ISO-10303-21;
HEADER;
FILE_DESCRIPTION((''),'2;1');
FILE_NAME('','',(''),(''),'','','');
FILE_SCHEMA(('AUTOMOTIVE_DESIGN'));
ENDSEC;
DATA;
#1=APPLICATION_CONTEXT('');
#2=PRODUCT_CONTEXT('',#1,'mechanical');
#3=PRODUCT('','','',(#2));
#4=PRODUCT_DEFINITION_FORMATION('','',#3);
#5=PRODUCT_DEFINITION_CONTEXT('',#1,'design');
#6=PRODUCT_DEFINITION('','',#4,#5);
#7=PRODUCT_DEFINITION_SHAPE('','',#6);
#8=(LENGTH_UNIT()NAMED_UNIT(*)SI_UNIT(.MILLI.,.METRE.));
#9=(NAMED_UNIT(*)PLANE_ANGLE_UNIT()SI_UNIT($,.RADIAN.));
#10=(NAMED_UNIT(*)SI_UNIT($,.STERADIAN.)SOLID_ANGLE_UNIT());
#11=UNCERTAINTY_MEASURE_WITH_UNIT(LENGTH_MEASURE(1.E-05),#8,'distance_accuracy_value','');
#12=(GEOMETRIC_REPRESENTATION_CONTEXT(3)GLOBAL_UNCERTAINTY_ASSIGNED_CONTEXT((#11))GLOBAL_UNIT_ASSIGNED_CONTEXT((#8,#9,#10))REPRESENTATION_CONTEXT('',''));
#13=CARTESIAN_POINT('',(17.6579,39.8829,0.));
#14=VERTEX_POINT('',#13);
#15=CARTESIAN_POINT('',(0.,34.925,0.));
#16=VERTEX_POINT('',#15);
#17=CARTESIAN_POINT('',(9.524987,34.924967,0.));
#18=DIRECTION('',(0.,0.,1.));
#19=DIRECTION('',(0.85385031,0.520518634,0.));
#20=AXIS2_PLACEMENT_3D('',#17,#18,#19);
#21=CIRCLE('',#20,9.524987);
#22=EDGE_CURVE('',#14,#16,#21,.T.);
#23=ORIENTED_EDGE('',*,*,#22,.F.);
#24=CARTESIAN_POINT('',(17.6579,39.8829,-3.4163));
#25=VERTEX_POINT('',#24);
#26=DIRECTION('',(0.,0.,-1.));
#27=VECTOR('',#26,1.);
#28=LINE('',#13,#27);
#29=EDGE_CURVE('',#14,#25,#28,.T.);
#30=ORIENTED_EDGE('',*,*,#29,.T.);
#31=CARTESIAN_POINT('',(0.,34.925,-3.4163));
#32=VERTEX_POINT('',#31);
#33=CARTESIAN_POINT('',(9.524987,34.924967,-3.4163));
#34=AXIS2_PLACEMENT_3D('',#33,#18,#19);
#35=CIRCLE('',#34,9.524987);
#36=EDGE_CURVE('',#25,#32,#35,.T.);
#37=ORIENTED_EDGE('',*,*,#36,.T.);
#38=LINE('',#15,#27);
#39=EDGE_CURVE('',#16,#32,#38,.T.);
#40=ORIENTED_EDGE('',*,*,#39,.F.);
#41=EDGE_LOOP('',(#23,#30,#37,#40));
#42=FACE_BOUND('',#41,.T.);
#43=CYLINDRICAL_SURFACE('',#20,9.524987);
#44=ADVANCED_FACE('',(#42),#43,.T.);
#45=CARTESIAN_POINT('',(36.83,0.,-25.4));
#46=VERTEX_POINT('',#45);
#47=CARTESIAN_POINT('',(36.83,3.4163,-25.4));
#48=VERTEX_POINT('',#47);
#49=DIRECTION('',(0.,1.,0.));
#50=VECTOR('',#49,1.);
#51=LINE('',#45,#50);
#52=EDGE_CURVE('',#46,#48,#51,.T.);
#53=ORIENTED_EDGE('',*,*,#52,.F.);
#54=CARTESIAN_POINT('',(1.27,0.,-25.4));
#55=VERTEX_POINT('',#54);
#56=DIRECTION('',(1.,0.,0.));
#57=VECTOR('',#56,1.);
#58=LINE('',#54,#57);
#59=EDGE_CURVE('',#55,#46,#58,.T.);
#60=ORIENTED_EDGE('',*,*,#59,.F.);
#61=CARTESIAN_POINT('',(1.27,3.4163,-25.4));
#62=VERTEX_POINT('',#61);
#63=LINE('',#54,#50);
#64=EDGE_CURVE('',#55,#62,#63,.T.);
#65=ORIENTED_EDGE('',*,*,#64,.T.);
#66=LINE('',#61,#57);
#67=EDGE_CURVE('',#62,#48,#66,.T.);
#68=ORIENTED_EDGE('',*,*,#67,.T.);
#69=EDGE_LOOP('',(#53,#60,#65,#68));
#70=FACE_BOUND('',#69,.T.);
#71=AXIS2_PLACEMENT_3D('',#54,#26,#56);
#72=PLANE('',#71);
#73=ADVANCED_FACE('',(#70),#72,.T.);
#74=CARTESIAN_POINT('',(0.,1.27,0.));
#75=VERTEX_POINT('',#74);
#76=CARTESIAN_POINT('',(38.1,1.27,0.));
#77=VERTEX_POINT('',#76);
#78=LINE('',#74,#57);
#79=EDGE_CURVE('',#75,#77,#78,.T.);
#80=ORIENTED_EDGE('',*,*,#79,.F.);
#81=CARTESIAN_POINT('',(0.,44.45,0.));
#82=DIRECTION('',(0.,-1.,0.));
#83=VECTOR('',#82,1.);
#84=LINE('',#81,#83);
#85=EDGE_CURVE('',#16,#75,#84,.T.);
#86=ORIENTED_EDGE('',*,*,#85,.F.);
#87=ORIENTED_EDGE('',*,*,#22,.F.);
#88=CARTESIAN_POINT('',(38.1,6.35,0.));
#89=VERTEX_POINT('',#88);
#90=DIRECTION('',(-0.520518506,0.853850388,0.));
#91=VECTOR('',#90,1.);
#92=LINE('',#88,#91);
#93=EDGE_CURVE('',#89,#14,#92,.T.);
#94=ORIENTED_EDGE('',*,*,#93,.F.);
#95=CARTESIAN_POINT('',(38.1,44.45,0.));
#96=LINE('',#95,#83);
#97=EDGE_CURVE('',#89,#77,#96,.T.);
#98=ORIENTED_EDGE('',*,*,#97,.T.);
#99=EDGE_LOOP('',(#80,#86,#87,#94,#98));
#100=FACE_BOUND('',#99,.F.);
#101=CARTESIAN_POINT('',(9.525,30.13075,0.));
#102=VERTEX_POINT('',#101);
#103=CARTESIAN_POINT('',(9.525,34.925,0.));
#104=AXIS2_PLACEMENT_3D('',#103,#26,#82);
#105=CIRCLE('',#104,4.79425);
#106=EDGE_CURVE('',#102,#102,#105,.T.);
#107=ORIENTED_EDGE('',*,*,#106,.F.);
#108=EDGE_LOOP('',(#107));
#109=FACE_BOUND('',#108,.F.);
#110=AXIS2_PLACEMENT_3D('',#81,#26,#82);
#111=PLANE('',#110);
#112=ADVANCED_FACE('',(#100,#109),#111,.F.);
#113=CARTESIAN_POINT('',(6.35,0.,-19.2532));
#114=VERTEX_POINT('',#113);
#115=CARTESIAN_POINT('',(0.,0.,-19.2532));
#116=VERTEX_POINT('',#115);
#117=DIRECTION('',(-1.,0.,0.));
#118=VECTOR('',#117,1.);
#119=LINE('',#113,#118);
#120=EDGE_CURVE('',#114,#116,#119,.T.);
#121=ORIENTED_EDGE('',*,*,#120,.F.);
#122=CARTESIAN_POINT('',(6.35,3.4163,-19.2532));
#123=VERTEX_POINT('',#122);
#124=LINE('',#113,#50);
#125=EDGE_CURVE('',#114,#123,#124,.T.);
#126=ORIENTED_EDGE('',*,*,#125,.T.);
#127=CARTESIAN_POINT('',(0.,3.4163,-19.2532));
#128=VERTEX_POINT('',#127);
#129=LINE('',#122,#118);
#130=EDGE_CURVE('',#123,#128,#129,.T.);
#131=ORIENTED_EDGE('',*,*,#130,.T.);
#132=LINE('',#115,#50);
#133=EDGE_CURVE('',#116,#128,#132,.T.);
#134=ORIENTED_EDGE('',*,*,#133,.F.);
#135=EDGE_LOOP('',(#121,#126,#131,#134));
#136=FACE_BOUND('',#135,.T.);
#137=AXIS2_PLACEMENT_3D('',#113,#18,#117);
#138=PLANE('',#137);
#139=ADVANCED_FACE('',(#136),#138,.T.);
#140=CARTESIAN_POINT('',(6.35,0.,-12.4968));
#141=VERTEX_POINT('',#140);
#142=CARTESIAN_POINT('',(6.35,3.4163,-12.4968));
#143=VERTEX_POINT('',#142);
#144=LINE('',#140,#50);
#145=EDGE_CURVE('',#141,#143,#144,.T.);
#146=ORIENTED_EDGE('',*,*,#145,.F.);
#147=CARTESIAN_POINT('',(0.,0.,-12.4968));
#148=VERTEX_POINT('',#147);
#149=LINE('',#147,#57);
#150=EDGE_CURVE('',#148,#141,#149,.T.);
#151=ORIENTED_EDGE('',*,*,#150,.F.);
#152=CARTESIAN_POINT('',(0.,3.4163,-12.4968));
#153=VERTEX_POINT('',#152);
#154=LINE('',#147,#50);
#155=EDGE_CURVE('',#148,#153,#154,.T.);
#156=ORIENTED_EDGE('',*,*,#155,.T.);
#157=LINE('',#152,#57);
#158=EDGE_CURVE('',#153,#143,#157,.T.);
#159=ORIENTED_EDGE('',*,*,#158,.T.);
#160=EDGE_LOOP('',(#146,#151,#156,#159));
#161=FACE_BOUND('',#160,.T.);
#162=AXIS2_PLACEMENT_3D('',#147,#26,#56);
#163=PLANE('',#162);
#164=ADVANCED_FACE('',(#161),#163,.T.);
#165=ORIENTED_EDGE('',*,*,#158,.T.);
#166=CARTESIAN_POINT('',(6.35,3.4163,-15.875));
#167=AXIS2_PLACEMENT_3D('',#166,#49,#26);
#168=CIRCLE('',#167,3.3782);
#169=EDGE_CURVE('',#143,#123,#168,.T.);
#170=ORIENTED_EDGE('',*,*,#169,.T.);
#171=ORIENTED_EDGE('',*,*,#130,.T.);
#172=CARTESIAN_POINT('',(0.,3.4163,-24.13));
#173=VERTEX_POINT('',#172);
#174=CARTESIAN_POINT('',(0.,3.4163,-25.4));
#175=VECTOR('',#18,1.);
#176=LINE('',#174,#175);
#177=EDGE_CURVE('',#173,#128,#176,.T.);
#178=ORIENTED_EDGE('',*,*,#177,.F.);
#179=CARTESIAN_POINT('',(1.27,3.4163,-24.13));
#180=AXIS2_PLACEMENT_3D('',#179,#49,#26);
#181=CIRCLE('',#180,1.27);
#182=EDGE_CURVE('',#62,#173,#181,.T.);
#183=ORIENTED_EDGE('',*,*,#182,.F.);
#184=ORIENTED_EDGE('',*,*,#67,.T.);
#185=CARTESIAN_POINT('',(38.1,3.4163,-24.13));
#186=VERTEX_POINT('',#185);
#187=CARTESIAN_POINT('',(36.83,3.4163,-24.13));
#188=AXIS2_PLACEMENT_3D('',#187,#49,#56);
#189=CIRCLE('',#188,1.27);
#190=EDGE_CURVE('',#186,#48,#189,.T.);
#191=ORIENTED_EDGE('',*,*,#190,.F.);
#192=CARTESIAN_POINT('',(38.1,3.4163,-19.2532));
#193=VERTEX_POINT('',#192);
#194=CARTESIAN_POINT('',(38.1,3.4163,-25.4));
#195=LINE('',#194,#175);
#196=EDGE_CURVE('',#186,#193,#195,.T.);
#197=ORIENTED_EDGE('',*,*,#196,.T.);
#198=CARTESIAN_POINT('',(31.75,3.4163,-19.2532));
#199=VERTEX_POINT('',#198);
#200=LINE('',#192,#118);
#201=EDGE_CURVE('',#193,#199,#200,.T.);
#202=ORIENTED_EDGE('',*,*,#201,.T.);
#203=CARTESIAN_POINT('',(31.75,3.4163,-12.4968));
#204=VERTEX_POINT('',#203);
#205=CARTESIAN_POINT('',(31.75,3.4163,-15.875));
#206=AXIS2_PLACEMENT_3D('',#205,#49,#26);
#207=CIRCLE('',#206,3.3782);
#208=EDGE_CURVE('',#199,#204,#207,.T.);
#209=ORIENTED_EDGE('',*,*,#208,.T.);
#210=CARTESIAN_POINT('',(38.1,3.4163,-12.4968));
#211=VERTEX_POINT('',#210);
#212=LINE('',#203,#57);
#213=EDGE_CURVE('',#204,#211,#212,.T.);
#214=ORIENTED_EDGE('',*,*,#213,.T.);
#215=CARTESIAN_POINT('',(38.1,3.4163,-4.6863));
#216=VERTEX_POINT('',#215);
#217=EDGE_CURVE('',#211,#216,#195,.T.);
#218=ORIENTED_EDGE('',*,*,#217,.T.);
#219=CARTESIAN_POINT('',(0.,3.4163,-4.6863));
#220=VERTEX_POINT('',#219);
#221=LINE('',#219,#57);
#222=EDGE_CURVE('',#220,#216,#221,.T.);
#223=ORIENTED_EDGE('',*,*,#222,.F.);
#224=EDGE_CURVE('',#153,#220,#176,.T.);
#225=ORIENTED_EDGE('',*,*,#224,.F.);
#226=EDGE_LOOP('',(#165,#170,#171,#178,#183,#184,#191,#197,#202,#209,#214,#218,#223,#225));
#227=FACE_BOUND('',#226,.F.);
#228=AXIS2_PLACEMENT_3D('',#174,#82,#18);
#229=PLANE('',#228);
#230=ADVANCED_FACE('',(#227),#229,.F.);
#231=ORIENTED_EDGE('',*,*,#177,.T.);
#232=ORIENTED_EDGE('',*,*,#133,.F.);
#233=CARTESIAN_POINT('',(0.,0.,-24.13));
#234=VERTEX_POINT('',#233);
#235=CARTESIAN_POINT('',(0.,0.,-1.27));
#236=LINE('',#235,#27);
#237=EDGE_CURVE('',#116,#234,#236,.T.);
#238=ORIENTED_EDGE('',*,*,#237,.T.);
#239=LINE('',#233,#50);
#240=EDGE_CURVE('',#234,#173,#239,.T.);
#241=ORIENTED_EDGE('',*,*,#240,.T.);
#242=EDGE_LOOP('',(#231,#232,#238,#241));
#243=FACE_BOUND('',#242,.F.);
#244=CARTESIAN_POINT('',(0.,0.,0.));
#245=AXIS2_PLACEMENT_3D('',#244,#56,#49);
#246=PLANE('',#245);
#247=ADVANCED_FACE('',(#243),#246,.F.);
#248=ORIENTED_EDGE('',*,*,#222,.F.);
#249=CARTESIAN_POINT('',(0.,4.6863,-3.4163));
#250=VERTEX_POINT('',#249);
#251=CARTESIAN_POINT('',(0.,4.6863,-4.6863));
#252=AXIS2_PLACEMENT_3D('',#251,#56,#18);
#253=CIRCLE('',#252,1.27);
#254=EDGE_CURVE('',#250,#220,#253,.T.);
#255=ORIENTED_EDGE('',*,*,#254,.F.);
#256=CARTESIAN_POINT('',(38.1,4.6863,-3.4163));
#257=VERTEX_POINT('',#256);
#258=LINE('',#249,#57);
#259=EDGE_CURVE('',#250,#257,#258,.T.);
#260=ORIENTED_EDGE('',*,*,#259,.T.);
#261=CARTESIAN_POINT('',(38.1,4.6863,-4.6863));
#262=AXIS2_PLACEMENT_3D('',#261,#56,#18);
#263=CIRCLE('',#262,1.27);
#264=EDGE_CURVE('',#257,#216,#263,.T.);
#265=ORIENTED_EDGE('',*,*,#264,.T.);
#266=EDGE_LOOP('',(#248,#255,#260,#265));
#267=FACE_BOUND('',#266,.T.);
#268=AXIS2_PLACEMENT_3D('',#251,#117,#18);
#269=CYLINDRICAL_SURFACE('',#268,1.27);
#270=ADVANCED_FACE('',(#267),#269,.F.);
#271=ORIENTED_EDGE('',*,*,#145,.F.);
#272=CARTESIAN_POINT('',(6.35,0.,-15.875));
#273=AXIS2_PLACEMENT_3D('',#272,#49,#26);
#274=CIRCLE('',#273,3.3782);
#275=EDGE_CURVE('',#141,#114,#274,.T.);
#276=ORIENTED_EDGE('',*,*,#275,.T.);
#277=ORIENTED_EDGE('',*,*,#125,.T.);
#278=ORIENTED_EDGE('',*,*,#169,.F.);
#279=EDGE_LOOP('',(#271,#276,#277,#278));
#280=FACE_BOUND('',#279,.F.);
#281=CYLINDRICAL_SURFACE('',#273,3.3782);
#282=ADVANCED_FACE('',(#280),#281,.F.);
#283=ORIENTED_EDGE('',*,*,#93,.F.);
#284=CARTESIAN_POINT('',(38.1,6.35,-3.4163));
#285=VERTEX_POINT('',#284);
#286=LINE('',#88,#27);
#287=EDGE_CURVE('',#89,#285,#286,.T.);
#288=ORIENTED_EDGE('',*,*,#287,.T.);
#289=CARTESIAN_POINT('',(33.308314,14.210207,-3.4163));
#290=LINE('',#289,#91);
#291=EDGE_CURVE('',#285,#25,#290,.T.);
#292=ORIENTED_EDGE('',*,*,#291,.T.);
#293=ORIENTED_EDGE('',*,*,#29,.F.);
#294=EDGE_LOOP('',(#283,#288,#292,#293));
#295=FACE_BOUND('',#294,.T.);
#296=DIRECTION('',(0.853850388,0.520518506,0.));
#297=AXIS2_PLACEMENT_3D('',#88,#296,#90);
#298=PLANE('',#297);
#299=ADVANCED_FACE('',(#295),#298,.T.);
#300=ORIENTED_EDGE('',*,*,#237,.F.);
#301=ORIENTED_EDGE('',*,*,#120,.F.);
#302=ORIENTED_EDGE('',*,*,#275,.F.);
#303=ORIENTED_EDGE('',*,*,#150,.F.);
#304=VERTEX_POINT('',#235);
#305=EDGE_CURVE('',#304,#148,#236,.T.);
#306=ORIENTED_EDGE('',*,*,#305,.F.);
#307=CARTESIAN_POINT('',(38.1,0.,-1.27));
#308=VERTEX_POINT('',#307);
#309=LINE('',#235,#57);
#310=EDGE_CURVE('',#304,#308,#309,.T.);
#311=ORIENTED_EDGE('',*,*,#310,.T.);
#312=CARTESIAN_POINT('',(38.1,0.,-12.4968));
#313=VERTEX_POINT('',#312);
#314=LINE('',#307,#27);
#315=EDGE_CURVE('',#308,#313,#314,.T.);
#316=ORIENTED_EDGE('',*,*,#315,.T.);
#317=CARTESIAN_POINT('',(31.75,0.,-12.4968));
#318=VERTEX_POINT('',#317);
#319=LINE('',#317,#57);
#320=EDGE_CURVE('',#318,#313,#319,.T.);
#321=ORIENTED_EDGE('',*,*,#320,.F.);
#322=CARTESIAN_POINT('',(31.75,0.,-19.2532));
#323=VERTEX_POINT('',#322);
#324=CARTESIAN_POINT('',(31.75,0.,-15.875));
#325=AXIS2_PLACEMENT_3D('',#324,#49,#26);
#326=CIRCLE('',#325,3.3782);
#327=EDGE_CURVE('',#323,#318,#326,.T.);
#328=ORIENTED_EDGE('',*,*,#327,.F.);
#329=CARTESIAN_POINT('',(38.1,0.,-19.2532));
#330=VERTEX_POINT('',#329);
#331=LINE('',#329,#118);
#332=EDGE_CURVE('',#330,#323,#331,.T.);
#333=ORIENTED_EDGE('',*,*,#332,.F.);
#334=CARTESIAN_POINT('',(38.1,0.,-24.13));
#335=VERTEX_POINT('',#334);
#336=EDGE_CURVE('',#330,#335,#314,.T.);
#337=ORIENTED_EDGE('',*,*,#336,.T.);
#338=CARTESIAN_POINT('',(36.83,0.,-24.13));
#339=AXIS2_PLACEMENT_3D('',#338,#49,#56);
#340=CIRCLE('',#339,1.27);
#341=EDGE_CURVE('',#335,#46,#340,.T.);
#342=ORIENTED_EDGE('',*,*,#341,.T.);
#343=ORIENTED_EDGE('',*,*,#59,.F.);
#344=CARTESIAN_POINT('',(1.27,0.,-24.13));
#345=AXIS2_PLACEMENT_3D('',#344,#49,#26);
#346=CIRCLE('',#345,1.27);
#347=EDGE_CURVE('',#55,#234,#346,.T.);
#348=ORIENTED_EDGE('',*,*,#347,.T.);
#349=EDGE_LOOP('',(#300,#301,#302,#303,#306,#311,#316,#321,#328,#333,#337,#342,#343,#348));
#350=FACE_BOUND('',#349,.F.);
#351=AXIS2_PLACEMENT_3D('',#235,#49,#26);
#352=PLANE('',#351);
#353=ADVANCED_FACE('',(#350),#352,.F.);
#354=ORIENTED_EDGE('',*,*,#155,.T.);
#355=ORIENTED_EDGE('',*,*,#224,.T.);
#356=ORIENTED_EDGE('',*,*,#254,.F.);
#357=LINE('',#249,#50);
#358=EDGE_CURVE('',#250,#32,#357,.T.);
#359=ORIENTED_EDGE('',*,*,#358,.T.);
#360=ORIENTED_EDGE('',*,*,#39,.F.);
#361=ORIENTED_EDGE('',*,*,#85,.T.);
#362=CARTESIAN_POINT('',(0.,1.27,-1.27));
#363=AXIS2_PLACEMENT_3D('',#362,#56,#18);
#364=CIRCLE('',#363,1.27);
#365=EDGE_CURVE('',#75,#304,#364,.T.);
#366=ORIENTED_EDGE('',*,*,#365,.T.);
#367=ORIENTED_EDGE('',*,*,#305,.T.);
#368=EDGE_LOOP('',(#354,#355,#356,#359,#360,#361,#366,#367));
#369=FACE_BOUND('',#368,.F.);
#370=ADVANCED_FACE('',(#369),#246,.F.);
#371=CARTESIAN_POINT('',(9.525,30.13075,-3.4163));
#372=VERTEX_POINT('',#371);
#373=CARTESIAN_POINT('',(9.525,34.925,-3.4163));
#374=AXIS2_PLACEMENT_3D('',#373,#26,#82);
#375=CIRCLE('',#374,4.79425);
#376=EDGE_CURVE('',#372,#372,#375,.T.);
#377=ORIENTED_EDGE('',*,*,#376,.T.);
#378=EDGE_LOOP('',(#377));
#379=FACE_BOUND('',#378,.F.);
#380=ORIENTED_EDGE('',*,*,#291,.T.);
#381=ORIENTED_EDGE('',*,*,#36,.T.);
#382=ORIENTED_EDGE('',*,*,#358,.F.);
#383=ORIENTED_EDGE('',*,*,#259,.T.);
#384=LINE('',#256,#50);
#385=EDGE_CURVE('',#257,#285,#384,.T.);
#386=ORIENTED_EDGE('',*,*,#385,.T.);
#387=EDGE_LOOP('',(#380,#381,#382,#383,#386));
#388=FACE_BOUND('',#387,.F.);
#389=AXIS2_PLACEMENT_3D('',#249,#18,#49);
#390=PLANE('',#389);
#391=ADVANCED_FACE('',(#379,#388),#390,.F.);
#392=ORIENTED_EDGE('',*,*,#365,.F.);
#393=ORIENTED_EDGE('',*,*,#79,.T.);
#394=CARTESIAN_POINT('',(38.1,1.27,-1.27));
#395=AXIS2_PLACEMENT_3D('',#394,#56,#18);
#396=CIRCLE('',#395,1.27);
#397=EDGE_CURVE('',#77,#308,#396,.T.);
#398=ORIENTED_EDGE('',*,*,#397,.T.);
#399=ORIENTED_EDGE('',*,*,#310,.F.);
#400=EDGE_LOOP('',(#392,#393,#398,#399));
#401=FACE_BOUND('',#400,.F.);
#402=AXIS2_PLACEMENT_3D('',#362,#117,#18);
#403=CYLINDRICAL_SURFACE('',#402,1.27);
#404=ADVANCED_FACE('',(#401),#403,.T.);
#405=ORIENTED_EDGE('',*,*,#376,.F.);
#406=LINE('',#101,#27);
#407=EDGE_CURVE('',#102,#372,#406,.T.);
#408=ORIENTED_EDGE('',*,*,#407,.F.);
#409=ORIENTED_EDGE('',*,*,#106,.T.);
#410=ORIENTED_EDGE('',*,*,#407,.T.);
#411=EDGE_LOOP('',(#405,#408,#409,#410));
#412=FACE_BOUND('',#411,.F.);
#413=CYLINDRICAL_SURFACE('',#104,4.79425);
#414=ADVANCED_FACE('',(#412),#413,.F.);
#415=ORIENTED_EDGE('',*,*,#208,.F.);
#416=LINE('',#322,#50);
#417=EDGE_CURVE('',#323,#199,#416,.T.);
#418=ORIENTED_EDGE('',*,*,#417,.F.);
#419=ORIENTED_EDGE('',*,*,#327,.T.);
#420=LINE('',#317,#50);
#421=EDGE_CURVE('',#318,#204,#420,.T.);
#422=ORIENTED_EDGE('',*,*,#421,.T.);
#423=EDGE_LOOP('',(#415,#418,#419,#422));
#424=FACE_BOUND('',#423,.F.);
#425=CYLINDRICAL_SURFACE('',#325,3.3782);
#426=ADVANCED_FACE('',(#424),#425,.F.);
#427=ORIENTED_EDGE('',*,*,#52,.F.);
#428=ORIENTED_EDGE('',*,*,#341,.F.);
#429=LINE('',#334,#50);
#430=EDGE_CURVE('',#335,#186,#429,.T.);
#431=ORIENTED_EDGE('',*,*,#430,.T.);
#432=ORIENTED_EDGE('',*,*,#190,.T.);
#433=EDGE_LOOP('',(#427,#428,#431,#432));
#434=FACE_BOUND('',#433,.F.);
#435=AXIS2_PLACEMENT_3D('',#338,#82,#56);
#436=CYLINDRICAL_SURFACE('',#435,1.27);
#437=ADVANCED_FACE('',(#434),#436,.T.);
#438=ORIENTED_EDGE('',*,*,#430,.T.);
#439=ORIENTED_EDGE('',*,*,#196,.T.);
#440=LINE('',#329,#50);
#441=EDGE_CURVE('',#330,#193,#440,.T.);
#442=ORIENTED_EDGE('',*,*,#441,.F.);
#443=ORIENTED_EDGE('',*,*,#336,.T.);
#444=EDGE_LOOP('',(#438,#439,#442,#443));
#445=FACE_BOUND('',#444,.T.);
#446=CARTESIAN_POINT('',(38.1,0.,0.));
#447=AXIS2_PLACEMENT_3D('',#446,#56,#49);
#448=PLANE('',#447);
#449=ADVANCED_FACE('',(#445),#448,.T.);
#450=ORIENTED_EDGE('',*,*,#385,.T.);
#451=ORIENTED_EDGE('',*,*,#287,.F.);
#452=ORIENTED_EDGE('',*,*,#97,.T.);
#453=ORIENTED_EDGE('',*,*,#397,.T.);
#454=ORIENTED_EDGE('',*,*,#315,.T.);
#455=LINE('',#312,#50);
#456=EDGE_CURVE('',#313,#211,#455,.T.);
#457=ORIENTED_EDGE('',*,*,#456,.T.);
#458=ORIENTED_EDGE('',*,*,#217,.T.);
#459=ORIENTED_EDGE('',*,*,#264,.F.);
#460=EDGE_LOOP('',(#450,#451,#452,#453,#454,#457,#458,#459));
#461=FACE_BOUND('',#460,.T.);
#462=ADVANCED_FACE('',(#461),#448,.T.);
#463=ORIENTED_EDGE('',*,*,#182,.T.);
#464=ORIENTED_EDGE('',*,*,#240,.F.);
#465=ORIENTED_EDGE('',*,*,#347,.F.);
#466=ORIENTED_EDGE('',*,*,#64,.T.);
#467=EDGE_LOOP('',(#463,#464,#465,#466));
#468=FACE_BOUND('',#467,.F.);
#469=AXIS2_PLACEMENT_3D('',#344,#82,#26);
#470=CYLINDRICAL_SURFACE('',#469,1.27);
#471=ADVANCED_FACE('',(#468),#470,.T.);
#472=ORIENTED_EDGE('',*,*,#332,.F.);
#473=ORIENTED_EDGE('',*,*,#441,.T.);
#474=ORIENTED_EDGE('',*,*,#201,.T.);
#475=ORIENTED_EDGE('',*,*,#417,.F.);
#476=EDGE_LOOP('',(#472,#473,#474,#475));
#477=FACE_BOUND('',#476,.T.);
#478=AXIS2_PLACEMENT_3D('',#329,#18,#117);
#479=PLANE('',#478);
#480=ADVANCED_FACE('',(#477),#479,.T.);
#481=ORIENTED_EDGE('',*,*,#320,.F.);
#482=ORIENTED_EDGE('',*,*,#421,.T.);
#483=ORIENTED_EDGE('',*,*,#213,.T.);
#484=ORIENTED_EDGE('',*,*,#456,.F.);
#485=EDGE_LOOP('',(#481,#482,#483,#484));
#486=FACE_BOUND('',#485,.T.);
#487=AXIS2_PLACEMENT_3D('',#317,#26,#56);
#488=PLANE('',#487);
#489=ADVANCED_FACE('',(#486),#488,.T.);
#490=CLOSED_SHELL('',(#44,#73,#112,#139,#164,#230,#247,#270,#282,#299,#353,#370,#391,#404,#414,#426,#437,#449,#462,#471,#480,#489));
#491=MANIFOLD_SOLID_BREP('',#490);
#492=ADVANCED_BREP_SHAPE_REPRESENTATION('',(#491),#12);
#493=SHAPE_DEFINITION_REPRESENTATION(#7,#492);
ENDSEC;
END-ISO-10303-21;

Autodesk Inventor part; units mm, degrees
sketch "Sketch_1" plane through (0, 0, 0) normal (1, 0, 0) x (0, 1, 0)
  line L0 (44.45, 0) -> (1.27, 0)
  arc A0 (1.27, 0) -> (0, -1.27) centre (1.27, -1.27) ccw
  line L1 (0, -1.27) -> (0, -25.4)
  line L2 (0, -25.4) -> (3.4163, -25.4)
  line L3 (3.4163, -25.4) -> (3.4163, -4.6863)
  arc A1 (4.6863, -3.4163) -> (3.4163, -4.6863) centre (4.6863, -4.6863) ccw
  line L4 (4.6863, -3.4163) -> (44.45, -3.4163)
  line L5 (44.45, -3.4163) -> (44.45, 0)
extrude "Extrusion1" add sketch "Sketch_1" along normal blind 38.1
sketch "Sketch_2" plane through (0, 0, 0) normal (0, 0, 1) x (1, 0, 0)
  line L0 (-38.1, -44.45) -> (57.15, -44.45)
  line L1 (57.15, -44.45) -> (57.15, 66.675)
  line L2 (57.15, 66.675) -> (-38.1, 66.675)
  line L3 (-38.1, 66.675) -> (-38.1, -44.45)
  line L4 (0, 0) -> (38.1, 0)
  line L5 (38.1, 0) -> (38.1, 6.35)
  line L6 (38.1, 6.35) -> (17.6579, 39.8829)
  arc A0 (17.6579, 39.8829) -> (0, 34.925) centre (9.525, 34.925) ccw
  line L7 (0, 34.925) -> (0, 0)
extrude "Extrusion2" cut sketch "Sketch_2" against normal blind 25.4
sketch "Sketch3" plane through (0, 1.27, 0) normal (0, 0, 1) x (1, 0, 0)
  point P0 (9.525, 33.655)
hole "Hole1" at (9.525, 34.925, 0) direction (0, 0, -1) diameter 9.5885 depth 3.4163
sketch "Sketch4" plane through (0, 0, -25.4) normal (0, -1, 0) x (1, 0, 0)
  point P0 (6.35, 9.525)
hole "Hole2" at (6.35, 0, -15.875) direction (0, 1, 0) diameter 6.7564 depth 3.4163
sketch "Sketch5" plane through (0, 0, -25.4) normal (0, -1, 0) x (1, 0, 0)
  point P0 (31.75, 9.525)
hole "Hole3" at (31.75, 0, -15.875) direction (0, 1, 0) diameter 6.7564 depth 3.4163
sketch "Sketch_6" plane through (0, 0, 0) normal (0, 1, 0) x (-1, 0, 0)
  line L0 (0, -19.2532) -> (0, -12.4968)
  line L1 (0, -12.4968) -> (-6.35, -12.4968)
  line L2 (-6.35, -12.4968) -> (-6.35, -19.2532)
  line L3 (-6.35, -19.2532) -> (0, -19.2532)
sketch "Sketch_7" plane through (0, 0, 0) normal (0, 1, 0) x (-1, 0, 0)
  line L0 (-31.75, -19.2532) -> (-31.75, -12.4968)
  line L1 (-31.75, -12.4968) -> (-38.1, -12.4968)
  line L2 (-38.1, -12.4968) -> (-38.1, -19.2532)
  line L3 (-38.1, -19.2532) -> (-31.75, -19.2532)
extrude "Extrusion3" cut sketch "Sketch_6" along normal blind 3.4163
extrude "Extrusion4" cut sketch "Sketch_7" along normal blind 3.4163
sketch "Sketch_8" plane through (0, 0, 0) normal (0, 1, 0) x (-1, 0, 0)
  line L0 (0, -38.1) -> (0, -24.13)
  arc A0 (-1.27, -25.4) -> (0, -24.13) centre (-1.27, -24.13) ccw
  line L1 (-1.27, -25.4) -> (-36.83, -25.4)
  arc A1 (-38.1, -24.13) -> (-36.83, -25.4) centre (-36.83, -24.13) ccw
  line L2 (-38.1, -24.13) -> (-38.1, -38.1)
  line L3 (-38.1, -38.1) -> (0, -38.1)
extrude "Extrusion5" cut sketch "Sketch_8" along normal blind 3.4163
ref_plane "to_dummy_R_XY" through (0, 0, 0) normal (0, 0, 1) x (1, 0, 0)
ref_plane "to_dummy_R_YZ" through (0, 0, 0) normal (1, 0, 0) x (0, 1, 0)
ref_plane "to_dummy_R_ZX" through (0, 0, 0) normal (0, 1, 0) x (0, 0, 1)
ref_plane "to_pin_R_XY" through (9.525, 34.925, 0) normal (0, 0, 1) x (1, 0, 0)
ref_plane "to_pin_R_YZ" through (9.525, 34.925, 0) normal (1, 0, 0) x (0, 1, 0)
ref_plane "to_pin_R_ZX" through (9.525, 34.925, 0) normal (0, 1, 0) x (0, 0, 1)
properties part number "D-14826" material "Steel"
